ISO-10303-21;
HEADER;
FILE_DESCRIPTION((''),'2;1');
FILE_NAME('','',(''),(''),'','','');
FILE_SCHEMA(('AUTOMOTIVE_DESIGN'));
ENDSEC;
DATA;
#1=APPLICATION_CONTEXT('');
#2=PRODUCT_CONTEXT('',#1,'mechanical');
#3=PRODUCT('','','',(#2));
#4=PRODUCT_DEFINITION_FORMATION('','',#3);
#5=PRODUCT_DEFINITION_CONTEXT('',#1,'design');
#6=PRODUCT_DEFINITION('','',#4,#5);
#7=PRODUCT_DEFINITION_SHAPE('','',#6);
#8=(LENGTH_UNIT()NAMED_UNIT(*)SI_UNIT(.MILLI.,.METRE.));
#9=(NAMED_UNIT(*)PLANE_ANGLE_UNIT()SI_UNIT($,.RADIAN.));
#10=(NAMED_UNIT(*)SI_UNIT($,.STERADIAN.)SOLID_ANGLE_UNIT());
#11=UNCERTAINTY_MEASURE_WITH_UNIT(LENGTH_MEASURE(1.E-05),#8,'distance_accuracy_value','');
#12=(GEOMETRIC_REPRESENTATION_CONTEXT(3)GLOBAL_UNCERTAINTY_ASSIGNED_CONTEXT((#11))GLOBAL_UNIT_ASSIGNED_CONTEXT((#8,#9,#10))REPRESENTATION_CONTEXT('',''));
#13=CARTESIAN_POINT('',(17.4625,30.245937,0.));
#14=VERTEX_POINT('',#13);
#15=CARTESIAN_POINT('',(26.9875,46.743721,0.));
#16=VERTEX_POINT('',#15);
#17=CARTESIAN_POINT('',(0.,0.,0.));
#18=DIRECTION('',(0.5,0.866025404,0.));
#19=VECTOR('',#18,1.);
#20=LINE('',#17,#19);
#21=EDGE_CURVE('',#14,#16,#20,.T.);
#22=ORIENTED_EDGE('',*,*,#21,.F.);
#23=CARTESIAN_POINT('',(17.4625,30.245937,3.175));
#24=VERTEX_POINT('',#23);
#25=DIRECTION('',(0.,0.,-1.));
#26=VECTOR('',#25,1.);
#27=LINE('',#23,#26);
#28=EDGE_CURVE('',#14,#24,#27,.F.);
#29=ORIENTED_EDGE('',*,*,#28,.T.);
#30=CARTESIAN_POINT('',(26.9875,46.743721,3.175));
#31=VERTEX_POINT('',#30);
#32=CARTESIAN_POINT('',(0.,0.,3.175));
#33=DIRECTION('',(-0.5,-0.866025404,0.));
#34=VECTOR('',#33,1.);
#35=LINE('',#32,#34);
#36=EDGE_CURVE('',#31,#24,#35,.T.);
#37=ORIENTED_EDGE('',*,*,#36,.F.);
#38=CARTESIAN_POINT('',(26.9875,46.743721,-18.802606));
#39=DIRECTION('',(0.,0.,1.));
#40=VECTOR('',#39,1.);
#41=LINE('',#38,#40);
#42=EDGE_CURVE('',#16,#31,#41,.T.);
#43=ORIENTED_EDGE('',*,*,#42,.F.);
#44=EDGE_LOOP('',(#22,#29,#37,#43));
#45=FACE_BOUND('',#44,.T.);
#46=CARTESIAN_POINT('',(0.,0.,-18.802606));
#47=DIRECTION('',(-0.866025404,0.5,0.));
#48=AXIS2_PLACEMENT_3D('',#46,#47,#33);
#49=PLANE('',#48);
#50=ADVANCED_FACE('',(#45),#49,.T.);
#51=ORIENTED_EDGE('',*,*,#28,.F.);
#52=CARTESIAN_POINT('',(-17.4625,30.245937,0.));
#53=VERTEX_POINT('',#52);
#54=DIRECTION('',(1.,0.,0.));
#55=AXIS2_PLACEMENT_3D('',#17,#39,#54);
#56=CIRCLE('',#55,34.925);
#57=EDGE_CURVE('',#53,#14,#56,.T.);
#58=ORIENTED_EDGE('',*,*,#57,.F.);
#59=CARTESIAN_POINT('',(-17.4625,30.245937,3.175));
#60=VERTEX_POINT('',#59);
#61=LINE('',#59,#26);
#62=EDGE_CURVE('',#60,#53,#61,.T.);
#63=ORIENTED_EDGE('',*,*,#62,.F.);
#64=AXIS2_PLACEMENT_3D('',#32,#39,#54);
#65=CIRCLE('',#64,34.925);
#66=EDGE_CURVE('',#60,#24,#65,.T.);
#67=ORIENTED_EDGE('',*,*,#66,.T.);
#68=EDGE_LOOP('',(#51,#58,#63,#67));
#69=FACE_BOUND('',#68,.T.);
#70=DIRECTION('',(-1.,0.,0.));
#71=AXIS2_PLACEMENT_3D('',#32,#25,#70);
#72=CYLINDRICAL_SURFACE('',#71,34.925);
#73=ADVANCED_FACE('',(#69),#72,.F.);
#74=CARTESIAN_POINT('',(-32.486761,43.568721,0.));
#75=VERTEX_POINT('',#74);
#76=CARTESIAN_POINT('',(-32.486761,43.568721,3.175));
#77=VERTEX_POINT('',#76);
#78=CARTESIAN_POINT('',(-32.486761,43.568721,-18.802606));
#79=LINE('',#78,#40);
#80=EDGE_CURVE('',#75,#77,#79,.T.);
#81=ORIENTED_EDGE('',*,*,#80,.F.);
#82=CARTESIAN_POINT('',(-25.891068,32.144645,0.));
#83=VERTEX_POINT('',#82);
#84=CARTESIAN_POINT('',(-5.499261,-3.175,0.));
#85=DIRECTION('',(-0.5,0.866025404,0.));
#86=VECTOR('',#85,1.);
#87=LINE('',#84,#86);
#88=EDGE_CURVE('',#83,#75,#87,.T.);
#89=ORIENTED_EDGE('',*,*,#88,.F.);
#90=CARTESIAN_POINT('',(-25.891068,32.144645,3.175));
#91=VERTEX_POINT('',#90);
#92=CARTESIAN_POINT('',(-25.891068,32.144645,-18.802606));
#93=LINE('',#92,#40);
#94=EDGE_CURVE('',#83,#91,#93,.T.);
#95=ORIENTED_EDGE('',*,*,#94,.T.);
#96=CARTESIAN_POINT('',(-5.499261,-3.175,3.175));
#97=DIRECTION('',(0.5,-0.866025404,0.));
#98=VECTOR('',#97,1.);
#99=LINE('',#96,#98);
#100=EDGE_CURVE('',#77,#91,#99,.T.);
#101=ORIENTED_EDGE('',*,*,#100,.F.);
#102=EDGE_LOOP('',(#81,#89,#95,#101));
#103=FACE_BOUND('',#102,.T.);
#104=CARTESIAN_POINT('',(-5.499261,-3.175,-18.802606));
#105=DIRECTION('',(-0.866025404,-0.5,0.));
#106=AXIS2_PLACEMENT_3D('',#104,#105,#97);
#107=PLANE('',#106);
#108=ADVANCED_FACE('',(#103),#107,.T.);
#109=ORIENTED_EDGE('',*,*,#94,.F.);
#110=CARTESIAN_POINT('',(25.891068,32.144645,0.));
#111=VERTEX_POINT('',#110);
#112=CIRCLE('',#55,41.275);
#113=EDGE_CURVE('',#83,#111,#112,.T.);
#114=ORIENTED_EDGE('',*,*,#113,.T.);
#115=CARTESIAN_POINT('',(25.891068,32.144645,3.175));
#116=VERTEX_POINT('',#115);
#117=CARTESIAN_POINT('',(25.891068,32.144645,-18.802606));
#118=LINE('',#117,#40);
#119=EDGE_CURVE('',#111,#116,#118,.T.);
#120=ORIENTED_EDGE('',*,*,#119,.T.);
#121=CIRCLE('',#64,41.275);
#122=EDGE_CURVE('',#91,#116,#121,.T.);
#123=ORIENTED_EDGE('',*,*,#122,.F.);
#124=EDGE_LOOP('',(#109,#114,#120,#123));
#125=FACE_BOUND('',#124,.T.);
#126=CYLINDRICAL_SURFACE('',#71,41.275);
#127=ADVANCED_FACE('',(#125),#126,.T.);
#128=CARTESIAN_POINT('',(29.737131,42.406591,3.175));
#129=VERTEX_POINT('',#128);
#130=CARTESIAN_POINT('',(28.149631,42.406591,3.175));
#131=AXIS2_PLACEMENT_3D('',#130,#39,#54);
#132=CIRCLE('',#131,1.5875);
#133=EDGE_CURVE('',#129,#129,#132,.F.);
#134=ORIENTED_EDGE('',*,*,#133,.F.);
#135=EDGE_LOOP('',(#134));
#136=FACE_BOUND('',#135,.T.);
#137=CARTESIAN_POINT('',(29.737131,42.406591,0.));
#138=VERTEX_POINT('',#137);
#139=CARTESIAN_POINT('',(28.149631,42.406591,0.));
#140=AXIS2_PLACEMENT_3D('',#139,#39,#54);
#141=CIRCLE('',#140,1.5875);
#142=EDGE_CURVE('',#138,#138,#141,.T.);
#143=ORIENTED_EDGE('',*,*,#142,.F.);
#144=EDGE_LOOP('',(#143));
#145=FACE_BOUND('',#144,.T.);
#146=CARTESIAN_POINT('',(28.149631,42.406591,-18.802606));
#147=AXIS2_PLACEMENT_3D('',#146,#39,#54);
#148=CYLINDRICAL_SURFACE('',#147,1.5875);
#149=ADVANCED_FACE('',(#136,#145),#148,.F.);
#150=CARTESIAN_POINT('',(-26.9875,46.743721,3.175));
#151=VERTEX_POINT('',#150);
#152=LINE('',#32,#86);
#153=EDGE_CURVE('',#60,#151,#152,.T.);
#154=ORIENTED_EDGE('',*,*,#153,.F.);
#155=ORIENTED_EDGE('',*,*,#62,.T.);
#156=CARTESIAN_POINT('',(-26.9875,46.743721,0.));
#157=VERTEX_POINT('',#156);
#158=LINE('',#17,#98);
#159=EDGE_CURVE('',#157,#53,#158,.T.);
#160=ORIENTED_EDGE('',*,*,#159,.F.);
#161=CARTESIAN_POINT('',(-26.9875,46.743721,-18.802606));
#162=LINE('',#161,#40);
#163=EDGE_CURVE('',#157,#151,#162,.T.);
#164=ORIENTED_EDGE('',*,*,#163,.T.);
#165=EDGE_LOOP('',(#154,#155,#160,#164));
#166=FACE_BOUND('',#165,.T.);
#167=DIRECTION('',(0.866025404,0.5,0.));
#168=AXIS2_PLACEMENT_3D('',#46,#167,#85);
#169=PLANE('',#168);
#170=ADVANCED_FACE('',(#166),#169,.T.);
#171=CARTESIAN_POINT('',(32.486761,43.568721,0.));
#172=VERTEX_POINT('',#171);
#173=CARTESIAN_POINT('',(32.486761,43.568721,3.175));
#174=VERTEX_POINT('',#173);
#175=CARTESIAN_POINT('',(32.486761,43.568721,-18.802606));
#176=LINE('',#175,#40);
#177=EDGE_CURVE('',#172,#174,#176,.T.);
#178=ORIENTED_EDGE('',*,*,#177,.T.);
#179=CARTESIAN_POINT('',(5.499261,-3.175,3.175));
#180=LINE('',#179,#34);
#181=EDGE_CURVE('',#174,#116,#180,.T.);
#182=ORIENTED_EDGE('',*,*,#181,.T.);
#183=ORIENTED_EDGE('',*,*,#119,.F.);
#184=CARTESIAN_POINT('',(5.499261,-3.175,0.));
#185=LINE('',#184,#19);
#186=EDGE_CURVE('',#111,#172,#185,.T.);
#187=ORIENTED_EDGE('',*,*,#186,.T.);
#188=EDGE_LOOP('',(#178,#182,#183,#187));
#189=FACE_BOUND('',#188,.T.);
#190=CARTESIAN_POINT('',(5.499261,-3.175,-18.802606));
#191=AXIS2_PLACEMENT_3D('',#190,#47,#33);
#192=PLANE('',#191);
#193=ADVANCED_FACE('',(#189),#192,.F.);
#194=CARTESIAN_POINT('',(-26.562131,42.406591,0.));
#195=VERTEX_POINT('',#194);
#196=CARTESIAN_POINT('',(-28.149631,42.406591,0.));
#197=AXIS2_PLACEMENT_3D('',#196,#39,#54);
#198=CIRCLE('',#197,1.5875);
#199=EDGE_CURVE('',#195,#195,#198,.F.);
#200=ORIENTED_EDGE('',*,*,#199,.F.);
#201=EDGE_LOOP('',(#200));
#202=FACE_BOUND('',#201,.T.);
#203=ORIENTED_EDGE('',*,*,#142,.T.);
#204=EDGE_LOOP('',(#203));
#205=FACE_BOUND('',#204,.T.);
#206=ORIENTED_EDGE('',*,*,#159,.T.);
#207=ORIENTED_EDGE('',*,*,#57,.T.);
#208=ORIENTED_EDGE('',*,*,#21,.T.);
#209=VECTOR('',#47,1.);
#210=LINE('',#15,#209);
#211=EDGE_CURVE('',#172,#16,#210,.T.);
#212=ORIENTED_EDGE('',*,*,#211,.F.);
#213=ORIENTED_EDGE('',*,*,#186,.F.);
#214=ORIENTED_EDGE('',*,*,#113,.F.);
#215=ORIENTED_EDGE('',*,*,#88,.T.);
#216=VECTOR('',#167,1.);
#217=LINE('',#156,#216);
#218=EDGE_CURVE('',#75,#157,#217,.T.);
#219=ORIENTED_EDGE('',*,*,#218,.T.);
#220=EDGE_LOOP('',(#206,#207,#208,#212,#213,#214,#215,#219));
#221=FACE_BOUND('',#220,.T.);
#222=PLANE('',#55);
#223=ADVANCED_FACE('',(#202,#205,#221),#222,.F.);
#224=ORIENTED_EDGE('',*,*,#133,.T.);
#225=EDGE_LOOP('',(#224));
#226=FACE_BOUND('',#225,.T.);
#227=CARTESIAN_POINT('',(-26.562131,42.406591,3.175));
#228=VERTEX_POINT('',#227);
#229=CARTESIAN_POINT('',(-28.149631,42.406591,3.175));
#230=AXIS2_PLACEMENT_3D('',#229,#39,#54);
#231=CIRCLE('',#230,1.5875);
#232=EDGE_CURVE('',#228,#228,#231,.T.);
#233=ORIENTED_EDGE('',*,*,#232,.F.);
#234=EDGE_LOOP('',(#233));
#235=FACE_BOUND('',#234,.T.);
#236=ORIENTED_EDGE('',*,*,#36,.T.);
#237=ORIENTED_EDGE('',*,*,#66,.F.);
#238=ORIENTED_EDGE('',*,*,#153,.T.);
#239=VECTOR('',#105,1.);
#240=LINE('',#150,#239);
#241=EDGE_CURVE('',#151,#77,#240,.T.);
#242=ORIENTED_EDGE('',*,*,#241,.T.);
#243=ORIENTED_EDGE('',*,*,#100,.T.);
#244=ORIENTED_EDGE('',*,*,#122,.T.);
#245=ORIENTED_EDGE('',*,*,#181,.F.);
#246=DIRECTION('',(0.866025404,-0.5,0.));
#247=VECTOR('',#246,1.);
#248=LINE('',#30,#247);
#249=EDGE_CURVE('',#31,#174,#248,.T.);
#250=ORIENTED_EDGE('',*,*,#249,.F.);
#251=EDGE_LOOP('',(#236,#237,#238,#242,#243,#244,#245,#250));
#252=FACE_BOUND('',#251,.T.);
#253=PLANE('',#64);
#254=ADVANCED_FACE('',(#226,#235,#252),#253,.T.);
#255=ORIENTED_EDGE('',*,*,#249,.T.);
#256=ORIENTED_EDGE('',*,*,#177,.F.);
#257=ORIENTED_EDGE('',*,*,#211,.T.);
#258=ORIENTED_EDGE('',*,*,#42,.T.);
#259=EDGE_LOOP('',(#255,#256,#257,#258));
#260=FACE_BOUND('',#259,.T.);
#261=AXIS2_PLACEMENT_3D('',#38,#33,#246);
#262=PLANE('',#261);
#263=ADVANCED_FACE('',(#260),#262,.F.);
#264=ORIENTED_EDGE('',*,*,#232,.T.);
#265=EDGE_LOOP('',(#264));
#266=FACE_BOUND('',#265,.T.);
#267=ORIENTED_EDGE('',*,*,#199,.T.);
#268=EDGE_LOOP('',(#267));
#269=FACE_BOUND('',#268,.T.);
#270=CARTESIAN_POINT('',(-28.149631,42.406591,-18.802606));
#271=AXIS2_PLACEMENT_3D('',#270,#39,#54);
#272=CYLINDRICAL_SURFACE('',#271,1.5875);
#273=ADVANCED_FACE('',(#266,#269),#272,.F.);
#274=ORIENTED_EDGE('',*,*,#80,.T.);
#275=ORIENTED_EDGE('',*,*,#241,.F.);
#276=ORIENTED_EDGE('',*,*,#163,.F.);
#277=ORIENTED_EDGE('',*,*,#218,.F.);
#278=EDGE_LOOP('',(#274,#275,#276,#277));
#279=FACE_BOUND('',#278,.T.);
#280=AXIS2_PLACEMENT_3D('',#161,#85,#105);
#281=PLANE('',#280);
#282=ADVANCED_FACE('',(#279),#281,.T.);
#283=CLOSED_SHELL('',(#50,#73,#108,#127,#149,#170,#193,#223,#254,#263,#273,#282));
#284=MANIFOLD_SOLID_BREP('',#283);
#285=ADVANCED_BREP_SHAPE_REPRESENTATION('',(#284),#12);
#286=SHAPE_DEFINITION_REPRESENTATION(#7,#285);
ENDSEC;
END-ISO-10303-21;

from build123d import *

# Parameters (mm, degrees)
SKETCH2_R           = 41.275
SKETCH2_R_2         = 38.1
SKETCH2_R_3         = 34.925
BOSS_EXTRUDE1_DEPTH = 3.175
SKETCH3_R           = 1.5875
BOSS_EXTRUDE2_DEPTH = 3.175
CUT_EXTRUDE1_DEPTH  = 3.175


with BuildPart() as part:
    # Sketch2 → Boss-Extrude1 (new body)
    with BuildSketch(Plane.XY):
        Circle(SKETCH2_R)
        Circle(SKETCH2_R_2, mode=Mode.SUBTRACT)
        Circle(SKETCH2_R_2)
        Circle(SKETCH2_R_3, mode=Mode.SUBTRACT)
    extrude(amount=BOSS_EXTRUDE1_DEPTH)

    # Sketch3 → Boss-Extrude2 (add)
    with BuildSketch(Plane.XY.offset(3.175)):
        with BuildLine():
            ThreePointArc((-25.891068033, 32.144645295), (-23.333836091, 34.046405365), (-20.6375, 35.745198541))
            Line((-20.6375, 35.745198541), (-26.9875, 46.743721169))
            Line((-26.9875, 46.743721169), (-32.486761314, 43.568721169))
            Line((-32.486761314, 43.568721169), (-26.136761314, 32.570198541))
            Line((-26.136761314, 32.570198541), (-25.891068033, 32.144645295))
        make_face()
        with Locations((-28.149630657, 42.406590512)):
            Circle(SKETCH3_R, mode=Mode.SUBTRACT)
        with BuildLine():
            Line((26.9875, 46.743721169), (20.6375, 35.745198541))
            ThreePointArc((20.6375, 35.745198541), (23.333836091, 34.046405365), (25.891068033, 32.144645295))
            Line((25.891068033, 32.144645295), (26.136761314, 32.570198541))
            Line((26.136761314, 32.570198541), (32.486761314, 43.568721169))
            Line((32.486761314, 43.568721169), (26.9875, 46.743721169))
        make_face()
        with Locations((28.149630657, 42.406590512)):
            Circle(SKETCH3_R, mode=Mode.SUBTRACT)
    extrude(amount=-BOSS_EXTRUDE2_DEPTH)

    # Sketch5 → Cut-Extrude1 (cut)
    with BuildSketch(Plane.XY.offset(3.175)):
        with BuildLine():
            Line((-20.6375, 35.745198541), (0, 0))
            Line((0, 0), (20.6375, 35.745198541))
            ThreePointArc((20.6375, 35.745198541), (0, 41.275), (-20.6375, 35.745198541))
        make_face()
    extrude(amount=-CUT_EXTRUDE1_DEPTH, mode=Mode.SUBTRACT)


solid = part.part
